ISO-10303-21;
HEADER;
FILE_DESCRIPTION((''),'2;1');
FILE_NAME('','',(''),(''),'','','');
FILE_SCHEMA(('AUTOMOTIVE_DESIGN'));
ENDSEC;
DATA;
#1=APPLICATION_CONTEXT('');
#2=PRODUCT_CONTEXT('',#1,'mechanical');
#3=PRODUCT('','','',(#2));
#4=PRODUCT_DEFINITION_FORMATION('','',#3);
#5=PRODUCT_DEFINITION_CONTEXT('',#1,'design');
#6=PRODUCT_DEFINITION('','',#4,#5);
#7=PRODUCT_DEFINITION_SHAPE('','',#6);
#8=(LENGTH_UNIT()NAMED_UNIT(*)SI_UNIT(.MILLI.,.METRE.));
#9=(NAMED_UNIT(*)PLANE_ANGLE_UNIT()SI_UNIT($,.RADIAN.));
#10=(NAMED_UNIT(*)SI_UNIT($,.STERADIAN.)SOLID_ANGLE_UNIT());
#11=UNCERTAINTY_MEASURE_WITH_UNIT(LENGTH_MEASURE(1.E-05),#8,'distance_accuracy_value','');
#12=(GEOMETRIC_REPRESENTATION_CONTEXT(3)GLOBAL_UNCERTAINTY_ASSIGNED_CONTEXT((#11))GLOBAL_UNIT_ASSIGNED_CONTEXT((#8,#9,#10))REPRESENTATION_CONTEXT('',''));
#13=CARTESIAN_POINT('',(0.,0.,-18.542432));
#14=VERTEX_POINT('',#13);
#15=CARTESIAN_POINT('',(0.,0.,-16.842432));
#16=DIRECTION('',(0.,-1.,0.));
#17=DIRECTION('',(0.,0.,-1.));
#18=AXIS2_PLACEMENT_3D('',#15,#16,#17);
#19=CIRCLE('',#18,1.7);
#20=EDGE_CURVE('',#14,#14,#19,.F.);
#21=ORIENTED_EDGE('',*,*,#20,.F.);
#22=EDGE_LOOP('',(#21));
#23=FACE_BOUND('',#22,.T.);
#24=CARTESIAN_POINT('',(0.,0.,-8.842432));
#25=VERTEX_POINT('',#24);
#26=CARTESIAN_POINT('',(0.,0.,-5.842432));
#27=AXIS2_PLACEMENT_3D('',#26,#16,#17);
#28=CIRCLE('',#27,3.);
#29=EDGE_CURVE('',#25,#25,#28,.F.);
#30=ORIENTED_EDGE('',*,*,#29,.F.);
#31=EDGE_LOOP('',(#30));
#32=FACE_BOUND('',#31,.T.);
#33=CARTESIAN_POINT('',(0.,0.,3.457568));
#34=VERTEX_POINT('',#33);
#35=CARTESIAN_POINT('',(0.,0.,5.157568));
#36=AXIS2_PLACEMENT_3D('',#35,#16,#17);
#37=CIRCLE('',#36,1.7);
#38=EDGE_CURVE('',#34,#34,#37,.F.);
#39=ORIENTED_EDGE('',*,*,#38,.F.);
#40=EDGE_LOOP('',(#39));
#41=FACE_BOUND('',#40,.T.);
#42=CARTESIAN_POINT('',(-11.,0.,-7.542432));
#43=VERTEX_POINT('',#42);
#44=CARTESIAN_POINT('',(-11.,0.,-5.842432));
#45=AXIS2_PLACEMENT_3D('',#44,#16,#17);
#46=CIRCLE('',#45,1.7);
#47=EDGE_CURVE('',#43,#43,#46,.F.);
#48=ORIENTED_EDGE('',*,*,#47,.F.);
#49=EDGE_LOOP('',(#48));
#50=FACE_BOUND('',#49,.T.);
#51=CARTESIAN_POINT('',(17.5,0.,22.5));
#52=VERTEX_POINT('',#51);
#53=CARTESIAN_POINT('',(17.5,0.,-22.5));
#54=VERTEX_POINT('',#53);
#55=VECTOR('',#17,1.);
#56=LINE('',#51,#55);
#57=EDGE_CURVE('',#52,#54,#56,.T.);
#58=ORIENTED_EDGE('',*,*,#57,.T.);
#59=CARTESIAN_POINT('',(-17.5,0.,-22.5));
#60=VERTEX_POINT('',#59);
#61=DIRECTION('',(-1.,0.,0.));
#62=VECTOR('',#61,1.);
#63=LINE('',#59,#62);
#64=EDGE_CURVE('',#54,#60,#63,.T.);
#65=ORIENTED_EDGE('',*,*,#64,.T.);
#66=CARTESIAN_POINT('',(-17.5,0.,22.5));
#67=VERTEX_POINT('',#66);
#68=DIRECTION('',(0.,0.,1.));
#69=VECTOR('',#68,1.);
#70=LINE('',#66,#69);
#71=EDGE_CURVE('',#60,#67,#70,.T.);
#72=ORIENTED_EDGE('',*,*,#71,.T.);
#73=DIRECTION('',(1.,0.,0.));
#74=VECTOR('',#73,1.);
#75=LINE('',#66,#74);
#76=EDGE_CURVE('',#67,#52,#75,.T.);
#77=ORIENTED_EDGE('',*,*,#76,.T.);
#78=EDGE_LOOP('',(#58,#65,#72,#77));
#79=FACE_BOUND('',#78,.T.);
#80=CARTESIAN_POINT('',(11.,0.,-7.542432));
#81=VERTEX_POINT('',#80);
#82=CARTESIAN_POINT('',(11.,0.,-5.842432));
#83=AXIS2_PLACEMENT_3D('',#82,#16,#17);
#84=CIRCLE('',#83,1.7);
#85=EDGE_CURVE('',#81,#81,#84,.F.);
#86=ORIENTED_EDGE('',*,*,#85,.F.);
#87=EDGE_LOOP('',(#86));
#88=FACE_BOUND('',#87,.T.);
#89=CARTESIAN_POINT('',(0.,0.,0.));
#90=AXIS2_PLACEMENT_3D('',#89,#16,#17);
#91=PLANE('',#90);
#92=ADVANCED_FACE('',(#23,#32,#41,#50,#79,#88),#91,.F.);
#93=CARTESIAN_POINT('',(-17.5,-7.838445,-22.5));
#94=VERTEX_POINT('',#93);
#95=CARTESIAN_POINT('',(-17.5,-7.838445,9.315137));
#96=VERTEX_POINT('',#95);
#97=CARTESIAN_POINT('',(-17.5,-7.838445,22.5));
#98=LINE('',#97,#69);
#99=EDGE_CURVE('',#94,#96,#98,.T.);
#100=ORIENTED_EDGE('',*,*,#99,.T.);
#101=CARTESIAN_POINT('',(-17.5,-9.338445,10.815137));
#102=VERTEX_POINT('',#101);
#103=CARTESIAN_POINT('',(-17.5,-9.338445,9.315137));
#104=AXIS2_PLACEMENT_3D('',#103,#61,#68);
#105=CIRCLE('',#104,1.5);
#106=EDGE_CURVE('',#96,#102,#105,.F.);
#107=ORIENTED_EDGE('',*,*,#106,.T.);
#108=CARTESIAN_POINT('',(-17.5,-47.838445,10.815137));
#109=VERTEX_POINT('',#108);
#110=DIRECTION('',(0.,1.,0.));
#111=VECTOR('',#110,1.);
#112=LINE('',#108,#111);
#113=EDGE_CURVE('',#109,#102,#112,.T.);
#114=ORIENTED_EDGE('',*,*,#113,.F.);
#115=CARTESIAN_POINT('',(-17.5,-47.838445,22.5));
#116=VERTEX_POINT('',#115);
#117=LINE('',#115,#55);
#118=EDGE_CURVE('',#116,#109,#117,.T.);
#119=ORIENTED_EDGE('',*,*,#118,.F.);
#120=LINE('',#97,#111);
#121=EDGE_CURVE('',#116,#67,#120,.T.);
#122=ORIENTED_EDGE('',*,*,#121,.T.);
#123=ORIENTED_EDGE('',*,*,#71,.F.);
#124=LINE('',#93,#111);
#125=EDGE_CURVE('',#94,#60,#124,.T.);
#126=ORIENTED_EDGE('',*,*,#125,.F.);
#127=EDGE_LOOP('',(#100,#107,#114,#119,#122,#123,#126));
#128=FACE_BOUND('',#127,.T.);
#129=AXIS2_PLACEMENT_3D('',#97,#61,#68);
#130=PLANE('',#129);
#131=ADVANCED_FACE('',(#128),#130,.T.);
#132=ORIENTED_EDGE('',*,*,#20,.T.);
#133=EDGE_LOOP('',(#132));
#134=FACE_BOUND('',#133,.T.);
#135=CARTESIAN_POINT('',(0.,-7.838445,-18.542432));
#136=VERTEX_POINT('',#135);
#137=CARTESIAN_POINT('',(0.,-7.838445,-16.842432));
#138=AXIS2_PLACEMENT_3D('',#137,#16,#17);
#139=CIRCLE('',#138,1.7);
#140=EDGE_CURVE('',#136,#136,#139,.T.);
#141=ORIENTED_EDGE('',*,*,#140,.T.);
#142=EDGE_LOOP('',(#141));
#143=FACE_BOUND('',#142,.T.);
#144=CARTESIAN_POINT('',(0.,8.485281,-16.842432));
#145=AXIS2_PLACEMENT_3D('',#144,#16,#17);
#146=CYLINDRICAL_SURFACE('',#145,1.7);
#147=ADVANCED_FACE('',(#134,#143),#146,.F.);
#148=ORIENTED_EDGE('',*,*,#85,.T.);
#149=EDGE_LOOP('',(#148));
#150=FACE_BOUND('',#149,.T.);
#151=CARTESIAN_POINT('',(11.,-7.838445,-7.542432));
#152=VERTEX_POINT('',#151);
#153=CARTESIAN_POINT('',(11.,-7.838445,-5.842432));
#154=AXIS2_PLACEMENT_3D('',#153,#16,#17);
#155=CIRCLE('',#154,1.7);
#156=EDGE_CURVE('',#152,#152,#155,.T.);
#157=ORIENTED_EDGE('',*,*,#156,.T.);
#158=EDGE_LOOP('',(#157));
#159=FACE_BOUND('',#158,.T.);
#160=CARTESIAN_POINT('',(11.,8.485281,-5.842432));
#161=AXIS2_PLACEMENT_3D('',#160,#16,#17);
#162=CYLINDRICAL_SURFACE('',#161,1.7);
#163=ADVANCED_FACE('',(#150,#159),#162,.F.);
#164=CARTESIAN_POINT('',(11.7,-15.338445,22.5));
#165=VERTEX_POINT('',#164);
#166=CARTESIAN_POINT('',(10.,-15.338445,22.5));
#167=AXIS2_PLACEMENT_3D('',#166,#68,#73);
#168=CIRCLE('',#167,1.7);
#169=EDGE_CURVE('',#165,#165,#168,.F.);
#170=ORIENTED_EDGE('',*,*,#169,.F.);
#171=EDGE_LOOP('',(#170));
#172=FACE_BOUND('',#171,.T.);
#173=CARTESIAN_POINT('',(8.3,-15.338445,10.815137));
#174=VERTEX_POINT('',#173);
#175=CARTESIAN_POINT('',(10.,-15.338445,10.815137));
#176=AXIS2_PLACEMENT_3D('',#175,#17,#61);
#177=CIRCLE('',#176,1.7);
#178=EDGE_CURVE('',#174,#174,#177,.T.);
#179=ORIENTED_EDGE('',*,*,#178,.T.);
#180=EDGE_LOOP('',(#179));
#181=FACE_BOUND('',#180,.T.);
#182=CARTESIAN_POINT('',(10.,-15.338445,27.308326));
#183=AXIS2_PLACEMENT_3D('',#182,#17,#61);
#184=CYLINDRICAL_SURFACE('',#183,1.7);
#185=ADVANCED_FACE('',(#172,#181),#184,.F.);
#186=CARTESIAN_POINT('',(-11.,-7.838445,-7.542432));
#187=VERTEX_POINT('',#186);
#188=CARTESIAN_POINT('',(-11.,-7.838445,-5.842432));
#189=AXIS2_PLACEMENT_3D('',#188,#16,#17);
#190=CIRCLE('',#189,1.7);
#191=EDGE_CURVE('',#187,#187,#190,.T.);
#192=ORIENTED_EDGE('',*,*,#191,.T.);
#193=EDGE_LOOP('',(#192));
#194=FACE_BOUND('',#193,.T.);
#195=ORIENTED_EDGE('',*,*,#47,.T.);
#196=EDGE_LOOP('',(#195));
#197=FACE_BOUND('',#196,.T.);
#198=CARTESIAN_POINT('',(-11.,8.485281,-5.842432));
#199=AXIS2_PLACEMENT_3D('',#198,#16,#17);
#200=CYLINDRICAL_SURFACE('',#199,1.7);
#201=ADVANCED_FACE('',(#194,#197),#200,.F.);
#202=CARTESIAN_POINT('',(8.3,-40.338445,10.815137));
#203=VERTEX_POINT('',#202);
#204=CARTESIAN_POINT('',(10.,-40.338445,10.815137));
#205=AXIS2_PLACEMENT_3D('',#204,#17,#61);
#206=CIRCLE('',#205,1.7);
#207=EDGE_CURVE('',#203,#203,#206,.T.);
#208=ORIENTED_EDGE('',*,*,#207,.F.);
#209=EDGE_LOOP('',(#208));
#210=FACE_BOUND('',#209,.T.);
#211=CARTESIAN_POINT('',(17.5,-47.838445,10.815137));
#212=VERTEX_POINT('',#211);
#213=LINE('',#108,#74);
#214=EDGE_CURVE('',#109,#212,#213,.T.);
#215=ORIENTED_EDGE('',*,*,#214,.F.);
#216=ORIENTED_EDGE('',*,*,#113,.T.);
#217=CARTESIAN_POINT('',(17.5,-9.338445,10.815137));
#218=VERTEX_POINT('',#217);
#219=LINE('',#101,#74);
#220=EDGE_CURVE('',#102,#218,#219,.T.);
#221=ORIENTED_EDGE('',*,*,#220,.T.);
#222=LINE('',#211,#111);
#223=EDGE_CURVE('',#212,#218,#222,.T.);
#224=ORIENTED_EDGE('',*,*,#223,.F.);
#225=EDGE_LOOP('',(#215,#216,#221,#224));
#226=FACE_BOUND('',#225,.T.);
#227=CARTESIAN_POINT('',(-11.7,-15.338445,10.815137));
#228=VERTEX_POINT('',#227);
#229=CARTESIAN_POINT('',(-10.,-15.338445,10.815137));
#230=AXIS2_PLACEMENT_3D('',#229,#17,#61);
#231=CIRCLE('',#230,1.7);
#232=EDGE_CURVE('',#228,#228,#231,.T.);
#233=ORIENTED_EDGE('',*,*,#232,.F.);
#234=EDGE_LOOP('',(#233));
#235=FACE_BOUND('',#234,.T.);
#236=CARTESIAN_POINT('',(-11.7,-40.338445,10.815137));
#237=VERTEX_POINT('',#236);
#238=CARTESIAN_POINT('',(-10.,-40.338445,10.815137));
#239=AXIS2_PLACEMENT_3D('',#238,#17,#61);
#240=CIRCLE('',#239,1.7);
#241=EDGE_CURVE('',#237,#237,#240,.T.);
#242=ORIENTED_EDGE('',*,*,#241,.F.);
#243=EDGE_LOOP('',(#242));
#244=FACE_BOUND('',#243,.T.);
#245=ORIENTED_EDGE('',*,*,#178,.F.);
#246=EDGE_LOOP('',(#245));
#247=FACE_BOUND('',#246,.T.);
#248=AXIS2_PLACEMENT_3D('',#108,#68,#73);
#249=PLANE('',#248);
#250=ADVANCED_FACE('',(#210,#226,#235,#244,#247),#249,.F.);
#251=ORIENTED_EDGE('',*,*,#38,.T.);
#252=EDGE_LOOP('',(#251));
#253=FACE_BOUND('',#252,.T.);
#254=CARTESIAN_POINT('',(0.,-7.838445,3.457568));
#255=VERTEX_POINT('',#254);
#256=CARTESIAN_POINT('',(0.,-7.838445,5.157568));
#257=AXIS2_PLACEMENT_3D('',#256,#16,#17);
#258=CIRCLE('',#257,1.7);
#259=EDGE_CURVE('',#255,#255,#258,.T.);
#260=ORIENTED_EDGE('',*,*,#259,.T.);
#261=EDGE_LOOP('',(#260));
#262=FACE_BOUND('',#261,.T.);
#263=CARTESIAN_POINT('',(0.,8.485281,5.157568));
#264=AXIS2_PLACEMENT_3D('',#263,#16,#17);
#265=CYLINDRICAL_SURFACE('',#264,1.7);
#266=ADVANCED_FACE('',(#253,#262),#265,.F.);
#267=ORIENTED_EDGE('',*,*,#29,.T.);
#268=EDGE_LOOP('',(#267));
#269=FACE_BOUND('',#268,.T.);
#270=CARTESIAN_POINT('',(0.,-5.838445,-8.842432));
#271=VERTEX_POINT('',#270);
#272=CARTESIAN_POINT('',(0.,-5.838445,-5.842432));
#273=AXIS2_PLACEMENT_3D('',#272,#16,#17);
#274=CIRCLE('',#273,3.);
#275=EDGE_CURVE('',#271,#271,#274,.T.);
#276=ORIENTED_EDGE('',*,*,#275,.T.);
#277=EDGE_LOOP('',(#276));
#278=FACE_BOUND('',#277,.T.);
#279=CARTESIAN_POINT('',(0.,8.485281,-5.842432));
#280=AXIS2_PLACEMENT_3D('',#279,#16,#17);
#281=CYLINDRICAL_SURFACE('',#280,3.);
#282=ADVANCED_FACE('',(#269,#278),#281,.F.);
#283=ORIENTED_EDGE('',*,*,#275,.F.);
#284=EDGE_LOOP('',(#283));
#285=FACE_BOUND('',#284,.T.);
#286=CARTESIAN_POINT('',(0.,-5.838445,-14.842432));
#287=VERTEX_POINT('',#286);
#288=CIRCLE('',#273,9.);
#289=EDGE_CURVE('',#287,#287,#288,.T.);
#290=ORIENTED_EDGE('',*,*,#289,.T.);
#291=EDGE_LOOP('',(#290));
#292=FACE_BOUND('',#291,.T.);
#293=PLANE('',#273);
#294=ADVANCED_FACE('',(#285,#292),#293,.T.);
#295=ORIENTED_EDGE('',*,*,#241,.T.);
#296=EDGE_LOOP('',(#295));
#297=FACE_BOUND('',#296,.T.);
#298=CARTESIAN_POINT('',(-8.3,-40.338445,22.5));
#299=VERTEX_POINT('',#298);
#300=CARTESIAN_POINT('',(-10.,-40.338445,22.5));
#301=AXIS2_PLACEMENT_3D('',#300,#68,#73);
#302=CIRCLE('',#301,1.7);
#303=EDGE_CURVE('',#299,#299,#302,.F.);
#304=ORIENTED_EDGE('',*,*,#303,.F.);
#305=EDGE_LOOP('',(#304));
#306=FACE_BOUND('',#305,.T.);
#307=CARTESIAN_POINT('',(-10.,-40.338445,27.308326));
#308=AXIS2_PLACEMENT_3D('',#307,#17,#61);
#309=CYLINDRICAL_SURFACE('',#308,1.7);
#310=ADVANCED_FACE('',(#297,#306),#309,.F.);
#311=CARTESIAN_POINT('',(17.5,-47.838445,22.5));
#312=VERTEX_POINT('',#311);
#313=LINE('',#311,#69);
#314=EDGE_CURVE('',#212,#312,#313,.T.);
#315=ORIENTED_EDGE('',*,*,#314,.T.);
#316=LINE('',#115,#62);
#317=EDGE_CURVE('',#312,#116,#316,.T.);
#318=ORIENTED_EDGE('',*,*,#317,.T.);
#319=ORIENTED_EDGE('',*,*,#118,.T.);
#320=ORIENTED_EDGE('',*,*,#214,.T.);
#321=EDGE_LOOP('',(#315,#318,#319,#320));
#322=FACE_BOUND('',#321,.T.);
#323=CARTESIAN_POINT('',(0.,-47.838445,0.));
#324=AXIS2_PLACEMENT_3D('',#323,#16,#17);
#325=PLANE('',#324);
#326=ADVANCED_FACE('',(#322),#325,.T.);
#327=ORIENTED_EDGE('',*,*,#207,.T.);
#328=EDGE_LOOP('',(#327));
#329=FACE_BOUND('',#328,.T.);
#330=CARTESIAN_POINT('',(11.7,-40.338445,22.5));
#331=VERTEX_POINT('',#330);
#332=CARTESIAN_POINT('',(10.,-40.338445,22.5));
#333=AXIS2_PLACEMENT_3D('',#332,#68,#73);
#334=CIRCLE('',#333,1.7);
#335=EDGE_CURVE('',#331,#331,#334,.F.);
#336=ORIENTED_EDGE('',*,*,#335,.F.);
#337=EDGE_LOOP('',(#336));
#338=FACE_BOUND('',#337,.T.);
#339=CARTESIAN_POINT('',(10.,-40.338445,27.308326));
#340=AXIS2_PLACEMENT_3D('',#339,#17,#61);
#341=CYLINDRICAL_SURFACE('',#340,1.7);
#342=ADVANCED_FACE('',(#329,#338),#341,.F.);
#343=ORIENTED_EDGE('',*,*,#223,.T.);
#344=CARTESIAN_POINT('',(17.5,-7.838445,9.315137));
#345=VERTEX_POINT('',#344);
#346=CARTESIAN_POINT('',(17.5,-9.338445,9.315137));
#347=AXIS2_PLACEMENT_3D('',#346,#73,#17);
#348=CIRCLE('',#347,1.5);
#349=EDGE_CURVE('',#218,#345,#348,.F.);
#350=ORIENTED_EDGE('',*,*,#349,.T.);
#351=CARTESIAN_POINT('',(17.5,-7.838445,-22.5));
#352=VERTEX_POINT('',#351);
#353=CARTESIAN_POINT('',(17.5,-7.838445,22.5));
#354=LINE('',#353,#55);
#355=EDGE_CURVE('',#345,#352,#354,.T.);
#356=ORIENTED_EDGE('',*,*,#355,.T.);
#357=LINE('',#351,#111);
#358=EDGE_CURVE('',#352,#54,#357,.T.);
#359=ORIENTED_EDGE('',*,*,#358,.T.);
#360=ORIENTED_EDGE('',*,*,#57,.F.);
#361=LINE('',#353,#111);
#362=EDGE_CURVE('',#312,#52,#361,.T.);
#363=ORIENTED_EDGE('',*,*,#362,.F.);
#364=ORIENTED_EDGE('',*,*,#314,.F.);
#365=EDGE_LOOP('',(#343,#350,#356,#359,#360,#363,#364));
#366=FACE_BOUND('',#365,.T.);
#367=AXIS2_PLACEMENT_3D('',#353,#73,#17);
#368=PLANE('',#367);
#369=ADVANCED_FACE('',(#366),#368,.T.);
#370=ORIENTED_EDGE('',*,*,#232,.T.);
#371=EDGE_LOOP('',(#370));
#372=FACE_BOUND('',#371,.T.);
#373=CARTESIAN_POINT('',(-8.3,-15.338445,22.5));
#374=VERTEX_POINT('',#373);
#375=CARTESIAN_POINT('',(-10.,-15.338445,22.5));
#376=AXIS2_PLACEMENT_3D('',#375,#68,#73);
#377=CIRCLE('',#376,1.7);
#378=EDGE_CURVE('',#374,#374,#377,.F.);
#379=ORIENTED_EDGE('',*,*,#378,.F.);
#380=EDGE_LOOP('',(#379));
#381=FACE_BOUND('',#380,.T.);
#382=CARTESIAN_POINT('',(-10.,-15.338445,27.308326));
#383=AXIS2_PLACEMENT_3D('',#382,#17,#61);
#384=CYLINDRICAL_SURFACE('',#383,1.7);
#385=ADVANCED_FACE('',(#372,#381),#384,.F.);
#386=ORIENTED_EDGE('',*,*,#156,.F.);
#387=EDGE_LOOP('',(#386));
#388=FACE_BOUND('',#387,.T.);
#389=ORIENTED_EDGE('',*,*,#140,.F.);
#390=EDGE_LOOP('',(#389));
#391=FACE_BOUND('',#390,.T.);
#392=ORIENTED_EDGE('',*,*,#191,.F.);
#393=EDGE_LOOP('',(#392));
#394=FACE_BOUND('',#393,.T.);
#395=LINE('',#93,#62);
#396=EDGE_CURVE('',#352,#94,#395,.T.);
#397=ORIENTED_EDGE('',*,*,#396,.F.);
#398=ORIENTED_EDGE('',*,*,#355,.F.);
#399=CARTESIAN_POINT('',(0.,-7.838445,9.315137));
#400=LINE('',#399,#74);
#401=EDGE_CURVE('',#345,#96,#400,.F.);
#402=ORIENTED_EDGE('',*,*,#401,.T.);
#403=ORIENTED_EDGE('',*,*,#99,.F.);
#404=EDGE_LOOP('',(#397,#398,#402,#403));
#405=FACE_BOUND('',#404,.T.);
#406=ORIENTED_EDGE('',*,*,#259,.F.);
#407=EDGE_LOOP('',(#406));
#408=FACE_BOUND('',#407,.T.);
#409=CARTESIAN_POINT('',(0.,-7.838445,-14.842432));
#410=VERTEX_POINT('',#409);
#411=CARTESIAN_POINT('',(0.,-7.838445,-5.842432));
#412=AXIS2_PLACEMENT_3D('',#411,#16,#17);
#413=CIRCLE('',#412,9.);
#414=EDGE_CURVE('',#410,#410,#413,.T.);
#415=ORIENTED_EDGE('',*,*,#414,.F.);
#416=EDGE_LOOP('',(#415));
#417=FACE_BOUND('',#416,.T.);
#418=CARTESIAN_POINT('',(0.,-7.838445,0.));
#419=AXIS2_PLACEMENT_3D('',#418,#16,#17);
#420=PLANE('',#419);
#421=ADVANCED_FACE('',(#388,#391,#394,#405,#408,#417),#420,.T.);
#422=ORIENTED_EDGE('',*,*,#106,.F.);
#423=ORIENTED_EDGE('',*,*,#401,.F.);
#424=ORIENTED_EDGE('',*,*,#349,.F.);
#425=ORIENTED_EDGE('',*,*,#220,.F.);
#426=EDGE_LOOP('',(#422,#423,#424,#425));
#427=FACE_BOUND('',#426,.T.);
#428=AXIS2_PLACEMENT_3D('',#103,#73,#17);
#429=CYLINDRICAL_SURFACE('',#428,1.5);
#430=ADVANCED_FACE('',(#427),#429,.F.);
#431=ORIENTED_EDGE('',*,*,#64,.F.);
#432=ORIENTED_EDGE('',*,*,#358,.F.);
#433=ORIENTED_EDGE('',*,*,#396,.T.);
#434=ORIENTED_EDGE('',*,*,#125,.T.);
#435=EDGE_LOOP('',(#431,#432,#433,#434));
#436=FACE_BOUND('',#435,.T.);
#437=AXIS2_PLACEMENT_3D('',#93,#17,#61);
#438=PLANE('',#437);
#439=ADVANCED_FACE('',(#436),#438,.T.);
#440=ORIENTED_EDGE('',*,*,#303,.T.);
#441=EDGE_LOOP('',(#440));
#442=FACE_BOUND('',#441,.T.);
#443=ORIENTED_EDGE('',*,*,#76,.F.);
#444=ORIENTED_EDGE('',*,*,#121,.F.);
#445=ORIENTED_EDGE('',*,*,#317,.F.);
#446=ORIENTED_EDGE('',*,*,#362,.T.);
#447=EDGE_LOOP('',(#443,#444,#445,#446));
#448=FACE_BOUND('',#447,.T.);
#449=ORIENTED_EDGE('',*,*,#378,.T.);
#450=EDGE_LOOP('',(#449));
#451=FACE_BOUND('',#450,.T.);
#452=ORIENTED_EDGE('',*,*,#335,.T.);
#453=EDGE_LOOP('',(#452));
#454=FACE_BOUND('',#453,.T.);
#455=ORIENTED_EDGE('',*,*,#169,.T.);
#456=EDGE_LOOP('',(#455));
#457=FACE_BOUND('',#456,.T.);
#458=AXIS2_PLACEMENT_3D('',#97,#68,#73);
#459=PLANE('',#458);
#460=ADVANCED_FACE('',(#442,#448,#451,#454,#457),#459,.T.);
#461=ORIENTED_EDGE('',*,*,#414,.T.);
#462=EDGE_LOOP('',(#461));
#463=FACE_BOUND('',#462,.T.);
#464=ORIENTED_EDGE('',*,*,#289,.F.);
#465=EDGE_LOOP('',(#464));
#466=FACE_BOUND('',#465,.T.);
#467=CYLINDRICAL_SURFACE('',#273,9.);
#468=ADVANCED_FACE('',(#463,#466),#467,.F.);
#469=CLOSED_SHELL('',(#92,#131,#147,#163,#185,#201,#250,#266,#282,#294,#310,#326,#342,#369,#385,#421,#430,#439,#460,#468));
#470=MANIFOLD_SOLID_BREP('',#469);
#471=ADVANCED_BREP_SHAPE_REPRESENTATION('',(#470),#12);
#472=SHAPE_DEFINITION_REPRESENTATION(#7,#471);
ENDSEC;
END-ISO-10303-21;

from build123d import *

# Parameters (mm, degrees)
SKETCH1_W           = 35
SKETCH1_H           = 45
BOSS_EXTRUDE1_DEPTH = 7.838444594
SKETCH2_W           = 35
SKETCH2_H           = 11.6848633
BOSS_EXTRUDE2_DEPTH = 40
SKETCH3_R           = 9
CUT_EXTRUDE1_DEPTH  = 2
SKETCH4_R           = 3
SKETCH4_R_2         = 1.7
CUT_EXTRUDE2_DEPTH  = 7.838444594
SKETCH5_R           = 1.7
CUT_EXTRUDE3_DEPTH  = 11.6848633
FILLET1_R           = 1.5


with BuildPart() as part:
    # Sketch1 → Boss-Extrude1 (new body)
    with BuildSketch(Plane(origin=(0, 0, 0), x_dir=(1, 0, 0), z_dir=(0, 1, 0))):
        Rectangle(SKETCH1_W, SKETCH1_H)
    extrude(amount=-BOSS_EXTRUDE1_DEPTH)

    # Sketch2 → Boss-Extrude2 (add)
    with BuildSketch(Plane.XZ.offset(7.838444594)):
        with Locations((0, 16.65756835)):
            Rectangle(SKETCH2_W, SKETCH2_H)
    extrude(amount=BOSS_EXTRUDE2_DEPTH)

    # Sketch3 → Cut-Extrude1 (cut)
    with BuildSketch(Plane.XZ.offset(7.838444594)):
        with Locations(Location((0, -5.84243165, 0), (0, 0, 270))):
            Circle(SKETCH3_R)
    extrude(amount=-CUT_EXTRUDE1_DEPTH, mode=Mode.SUBTRACT)

    # Sketch4 → Cut-Extrude2 (cut)
    with BuildSketch(Plane.XZ.offset(7.838444594)):
        with Locations(Location((0, -5.84243165, 0), (0, 0, 270))):
            Circle(SKETCH4_R)
        with Locations(Location((0, 5.15756835, 0), (0, 0, 270))):
            Circle(SKETCH4_R_2)
        with Locations(Location((11, -5.84243165, 0), (0, 0, 270))):
            Circle(SKETCH4_R_2)
        with Locations(Location((0, -16.84243165, 0), (0, 0, 270))):
            Circle(SKETCH4_R_2)
        with Locations(Location((-11, -5.84243165, 0), (0, 0, 270))):
            Circle(SKETCH4_R_2)
    extrude(amount=-CUT_EXTRUDE2_DEPTH, mode=Mode.SUBTRACT)

    # Sketch5 → Cut-Extrude3 (cut)
    with BuildSketch(Plane(origin=(0, 0, 10.8151367), x_dir=(-1, 0, 0), z_dir=(0, 0, -1))):
        with Locations((-10, -40.338444594)):
            Circle(SKETCH5_R)
        with Locations((10, -40.338444594)):
            Circle(SKETCH5_R)
        with Locations((-10, -15.338444594)):
            Circle(SKETCH5_R)
        with Locations((10, -15.338444594)):
            Circle(SKETCH5_R)
    extrude(amount=-CUT_EXTRUDE3_DEPTH, mode=Mode.SUBTRACT)

    # Fillet1
    fillet1_edges = [part.edges().sort_by_distance(p)[0] for p in [
        (0, -7.838444594, 10.8151367),
    ]]
    fillet(fillet1_edges, radius=FILLET1_R)


solid = part.part
